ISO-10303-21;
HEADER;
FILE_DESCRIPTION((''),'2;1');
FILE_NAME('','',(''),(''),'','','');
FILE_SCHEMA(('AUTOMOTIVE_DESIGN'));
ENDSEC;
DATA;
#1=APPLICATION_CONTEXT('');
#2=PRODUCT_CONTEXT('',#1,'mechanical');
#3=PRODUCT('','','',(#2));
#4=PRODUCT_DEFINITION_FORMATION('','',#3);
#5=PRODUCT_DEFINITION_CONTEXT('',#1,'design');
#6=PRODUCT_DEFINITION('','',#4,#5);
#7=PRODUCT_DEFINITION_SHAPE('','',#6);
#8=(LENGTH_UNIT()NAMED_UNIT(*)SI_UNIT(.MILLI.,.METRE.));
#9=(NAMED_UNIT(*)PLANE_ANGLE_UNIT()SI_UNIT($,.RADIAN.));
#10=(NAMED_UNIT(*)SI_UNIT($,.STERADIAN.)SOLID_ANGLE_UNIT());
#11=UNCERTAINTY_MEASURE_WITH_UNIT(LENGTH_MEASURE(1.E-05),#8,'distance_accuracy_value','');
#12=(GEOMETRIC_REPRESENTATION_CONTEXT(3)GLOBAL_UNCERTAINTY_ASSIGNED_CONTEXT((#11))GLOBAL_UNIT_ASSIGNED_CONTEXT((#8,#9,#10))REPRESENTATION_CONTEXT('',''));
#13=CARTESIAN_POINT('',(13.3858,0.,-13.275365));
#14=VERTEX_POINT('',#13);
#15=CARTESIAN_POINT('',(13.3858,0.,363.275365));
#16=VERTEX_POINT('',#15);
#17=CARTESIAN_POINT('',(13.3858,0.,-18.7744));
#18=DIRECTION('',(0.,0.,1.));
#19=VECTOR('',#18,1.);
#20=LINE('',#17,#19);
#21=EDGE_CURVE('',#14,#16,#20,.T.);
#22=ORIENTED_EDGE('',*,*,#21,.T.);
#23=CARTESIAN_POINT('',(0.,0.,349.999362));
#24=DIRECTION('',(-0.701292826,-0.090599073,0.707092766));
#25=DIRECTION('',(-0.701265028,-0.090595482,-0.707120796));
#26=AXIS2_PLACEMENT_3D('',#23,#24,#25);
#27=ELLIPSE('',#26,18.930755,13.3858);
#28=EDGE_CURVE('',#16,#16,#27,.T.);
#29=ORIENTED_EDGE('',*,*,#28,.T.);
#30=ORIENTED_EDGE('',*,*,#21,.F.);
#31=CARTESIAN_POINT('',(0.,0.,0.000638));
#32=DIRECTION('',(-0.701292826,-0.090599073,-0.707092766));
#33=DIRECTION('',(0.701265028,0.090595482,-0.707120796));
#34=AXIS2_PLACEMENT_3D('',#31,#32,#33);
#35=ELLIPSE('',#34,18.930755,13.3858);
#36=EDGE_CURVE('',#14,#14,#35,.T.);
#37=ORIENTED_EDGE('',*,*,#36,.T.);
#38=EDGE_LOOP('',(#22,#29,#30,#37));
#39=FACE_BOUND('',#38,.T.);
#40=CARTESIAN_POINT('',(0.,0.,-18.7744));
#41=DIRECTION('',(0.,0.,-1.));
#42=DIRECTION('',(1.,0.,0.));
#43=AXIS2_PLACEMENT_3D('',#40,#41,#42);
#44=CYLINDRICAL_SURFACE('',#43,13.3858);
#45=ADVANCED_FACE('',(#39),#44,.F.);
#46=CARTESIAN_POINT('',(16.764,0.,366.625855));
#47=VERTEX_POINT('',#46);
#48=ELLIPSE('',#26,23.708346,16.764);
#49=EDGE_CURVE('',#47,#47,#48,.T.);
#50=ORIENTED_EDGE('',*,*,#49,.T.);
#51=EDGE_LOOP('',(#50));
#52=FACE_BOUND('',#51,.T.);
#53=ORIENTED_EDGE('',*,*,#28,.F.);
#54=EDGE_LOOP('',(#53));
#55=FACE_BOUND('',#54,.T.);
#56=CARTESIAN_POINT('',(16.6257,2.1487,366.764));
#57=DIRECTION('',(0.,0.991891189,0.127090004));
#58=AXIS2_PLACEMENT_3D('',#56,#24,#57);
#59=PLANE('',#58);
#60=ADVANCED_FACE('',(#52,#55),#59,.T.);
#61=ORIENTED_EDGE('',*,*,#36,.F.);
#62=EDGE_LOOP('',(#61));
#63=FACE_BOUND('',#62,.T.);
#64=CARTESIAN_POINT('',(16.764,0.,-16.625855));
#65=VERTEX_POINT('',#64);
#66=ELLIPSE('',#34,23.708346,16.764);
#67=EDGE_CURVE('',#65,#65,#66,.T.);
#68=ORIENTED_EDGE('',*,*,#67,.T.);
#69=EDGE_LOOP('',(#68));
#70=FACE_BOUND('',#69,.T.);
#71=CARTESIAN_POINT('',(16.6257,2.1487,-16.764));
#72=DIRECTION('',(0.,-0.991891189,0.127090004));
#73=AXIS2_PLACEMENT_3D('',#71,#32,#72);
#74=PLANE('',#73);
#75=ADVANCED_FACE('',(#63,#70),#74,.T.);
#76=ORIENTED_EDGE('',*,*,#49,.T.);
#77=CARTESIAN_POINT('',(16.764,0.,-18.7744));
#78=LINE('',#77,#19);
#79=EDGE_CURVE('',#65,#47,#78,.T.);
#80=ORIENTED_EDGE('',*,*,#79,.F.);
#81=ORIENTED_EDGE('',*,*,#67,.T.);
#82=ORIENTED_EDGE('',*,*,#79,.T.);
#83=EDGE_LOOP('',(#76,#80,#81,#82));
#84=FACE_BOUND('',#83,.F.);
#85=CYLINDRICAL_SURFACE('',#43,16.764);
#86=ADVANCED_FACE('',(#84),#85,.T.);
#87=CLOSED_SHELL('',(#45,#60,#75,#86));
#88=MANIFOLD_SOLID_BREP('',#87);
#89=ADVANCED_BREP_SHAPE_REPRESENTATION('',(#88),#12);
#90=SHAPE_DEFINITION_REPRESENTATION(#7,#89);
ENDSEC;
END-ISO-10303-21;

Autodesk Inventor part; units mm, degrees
ref_plane "Start plane" through (0, 0, -18.7744) normal (0, 0, 1) x (1, 0, 0)
ref_plane "End plane" through (0, 0, 368.7744) normal (0, 0, 1) x (1, 0, 0)
sketch "Sketch" plane through (0, 0, 0) normal (0, 0, 1) x (1, 0, 0)
  circle A0 centre (0, 0) radius 13.3858
  circle A1 centre (0, 0) radius 16.764
  dimension "d0" = 33.528
  dimension "d1" = 3.3782
extrude "Body" add sketch "Sketch" along normal up to surface (387.5489 mm away) from surface at -18.7744
sketch "Sketch3" plane through (0, 0, 0) normal (0, 0, 1) x (1, 0, 0)
  line L0 (0, 0) -> (10, 0)
ref_plane "Work Plane3" through (0, 0, 0) normal (0, -1, 0) x (1, 0, 0)
ref_plane "Work Plane4" through (16.6257, 2.1487, 366.764) normal (-0.7013, -0.0906, 0.7071) x (0.7119, -0.0372, 0.7013)
split "Split1" plane through (16.6257, 2.1487, 366.764) removes the side toward (-0.7013, -0.0906, 0.7071)
ref_plane "Work Plane5" through (16.6257, 2.1487, -16.764) normal (-0.7013, -0.0906, -0.7071) x (-0.6791, -0.217, 0.7013)
split "Split2" plane through (16.6257, 2.1487, -16.764) removes the side toward (-0.7013, -0.0906, -0.7071)
sketch "Sketch4" plane through (0, 0, 0) normal (0, -1, 0) x (1, 0, 0)
  line L0 (-2, -18.7744) -> (12, -18.7744) projected
  line L1 (-2, 368.7744) -> (12, 368.7744) projected
  dimension "d7" = 387.5489
equation "\"d0\" = G_H"
equation "\"d1\" = G_T"
equation "\"d2\" = G_L"
equation "\"G_H\" = 33.528"
equation "\"G_T\" = 3.3782"
equation "\"G_L\" = 383.528"
equation "\"G_OFFSET_START\" = 18.77444"
equation "\"G_OFFSET_END\" = 18.77444"
equation "\"d4\" = -G_OFFSET_START"
equation "\"d5\" = G_OFFSET_END + B_L"
equation "\"B_L\" = 350"
properties part number "ANSI - 1 x 0.133 - 15.1" material "Steel, Mild"
